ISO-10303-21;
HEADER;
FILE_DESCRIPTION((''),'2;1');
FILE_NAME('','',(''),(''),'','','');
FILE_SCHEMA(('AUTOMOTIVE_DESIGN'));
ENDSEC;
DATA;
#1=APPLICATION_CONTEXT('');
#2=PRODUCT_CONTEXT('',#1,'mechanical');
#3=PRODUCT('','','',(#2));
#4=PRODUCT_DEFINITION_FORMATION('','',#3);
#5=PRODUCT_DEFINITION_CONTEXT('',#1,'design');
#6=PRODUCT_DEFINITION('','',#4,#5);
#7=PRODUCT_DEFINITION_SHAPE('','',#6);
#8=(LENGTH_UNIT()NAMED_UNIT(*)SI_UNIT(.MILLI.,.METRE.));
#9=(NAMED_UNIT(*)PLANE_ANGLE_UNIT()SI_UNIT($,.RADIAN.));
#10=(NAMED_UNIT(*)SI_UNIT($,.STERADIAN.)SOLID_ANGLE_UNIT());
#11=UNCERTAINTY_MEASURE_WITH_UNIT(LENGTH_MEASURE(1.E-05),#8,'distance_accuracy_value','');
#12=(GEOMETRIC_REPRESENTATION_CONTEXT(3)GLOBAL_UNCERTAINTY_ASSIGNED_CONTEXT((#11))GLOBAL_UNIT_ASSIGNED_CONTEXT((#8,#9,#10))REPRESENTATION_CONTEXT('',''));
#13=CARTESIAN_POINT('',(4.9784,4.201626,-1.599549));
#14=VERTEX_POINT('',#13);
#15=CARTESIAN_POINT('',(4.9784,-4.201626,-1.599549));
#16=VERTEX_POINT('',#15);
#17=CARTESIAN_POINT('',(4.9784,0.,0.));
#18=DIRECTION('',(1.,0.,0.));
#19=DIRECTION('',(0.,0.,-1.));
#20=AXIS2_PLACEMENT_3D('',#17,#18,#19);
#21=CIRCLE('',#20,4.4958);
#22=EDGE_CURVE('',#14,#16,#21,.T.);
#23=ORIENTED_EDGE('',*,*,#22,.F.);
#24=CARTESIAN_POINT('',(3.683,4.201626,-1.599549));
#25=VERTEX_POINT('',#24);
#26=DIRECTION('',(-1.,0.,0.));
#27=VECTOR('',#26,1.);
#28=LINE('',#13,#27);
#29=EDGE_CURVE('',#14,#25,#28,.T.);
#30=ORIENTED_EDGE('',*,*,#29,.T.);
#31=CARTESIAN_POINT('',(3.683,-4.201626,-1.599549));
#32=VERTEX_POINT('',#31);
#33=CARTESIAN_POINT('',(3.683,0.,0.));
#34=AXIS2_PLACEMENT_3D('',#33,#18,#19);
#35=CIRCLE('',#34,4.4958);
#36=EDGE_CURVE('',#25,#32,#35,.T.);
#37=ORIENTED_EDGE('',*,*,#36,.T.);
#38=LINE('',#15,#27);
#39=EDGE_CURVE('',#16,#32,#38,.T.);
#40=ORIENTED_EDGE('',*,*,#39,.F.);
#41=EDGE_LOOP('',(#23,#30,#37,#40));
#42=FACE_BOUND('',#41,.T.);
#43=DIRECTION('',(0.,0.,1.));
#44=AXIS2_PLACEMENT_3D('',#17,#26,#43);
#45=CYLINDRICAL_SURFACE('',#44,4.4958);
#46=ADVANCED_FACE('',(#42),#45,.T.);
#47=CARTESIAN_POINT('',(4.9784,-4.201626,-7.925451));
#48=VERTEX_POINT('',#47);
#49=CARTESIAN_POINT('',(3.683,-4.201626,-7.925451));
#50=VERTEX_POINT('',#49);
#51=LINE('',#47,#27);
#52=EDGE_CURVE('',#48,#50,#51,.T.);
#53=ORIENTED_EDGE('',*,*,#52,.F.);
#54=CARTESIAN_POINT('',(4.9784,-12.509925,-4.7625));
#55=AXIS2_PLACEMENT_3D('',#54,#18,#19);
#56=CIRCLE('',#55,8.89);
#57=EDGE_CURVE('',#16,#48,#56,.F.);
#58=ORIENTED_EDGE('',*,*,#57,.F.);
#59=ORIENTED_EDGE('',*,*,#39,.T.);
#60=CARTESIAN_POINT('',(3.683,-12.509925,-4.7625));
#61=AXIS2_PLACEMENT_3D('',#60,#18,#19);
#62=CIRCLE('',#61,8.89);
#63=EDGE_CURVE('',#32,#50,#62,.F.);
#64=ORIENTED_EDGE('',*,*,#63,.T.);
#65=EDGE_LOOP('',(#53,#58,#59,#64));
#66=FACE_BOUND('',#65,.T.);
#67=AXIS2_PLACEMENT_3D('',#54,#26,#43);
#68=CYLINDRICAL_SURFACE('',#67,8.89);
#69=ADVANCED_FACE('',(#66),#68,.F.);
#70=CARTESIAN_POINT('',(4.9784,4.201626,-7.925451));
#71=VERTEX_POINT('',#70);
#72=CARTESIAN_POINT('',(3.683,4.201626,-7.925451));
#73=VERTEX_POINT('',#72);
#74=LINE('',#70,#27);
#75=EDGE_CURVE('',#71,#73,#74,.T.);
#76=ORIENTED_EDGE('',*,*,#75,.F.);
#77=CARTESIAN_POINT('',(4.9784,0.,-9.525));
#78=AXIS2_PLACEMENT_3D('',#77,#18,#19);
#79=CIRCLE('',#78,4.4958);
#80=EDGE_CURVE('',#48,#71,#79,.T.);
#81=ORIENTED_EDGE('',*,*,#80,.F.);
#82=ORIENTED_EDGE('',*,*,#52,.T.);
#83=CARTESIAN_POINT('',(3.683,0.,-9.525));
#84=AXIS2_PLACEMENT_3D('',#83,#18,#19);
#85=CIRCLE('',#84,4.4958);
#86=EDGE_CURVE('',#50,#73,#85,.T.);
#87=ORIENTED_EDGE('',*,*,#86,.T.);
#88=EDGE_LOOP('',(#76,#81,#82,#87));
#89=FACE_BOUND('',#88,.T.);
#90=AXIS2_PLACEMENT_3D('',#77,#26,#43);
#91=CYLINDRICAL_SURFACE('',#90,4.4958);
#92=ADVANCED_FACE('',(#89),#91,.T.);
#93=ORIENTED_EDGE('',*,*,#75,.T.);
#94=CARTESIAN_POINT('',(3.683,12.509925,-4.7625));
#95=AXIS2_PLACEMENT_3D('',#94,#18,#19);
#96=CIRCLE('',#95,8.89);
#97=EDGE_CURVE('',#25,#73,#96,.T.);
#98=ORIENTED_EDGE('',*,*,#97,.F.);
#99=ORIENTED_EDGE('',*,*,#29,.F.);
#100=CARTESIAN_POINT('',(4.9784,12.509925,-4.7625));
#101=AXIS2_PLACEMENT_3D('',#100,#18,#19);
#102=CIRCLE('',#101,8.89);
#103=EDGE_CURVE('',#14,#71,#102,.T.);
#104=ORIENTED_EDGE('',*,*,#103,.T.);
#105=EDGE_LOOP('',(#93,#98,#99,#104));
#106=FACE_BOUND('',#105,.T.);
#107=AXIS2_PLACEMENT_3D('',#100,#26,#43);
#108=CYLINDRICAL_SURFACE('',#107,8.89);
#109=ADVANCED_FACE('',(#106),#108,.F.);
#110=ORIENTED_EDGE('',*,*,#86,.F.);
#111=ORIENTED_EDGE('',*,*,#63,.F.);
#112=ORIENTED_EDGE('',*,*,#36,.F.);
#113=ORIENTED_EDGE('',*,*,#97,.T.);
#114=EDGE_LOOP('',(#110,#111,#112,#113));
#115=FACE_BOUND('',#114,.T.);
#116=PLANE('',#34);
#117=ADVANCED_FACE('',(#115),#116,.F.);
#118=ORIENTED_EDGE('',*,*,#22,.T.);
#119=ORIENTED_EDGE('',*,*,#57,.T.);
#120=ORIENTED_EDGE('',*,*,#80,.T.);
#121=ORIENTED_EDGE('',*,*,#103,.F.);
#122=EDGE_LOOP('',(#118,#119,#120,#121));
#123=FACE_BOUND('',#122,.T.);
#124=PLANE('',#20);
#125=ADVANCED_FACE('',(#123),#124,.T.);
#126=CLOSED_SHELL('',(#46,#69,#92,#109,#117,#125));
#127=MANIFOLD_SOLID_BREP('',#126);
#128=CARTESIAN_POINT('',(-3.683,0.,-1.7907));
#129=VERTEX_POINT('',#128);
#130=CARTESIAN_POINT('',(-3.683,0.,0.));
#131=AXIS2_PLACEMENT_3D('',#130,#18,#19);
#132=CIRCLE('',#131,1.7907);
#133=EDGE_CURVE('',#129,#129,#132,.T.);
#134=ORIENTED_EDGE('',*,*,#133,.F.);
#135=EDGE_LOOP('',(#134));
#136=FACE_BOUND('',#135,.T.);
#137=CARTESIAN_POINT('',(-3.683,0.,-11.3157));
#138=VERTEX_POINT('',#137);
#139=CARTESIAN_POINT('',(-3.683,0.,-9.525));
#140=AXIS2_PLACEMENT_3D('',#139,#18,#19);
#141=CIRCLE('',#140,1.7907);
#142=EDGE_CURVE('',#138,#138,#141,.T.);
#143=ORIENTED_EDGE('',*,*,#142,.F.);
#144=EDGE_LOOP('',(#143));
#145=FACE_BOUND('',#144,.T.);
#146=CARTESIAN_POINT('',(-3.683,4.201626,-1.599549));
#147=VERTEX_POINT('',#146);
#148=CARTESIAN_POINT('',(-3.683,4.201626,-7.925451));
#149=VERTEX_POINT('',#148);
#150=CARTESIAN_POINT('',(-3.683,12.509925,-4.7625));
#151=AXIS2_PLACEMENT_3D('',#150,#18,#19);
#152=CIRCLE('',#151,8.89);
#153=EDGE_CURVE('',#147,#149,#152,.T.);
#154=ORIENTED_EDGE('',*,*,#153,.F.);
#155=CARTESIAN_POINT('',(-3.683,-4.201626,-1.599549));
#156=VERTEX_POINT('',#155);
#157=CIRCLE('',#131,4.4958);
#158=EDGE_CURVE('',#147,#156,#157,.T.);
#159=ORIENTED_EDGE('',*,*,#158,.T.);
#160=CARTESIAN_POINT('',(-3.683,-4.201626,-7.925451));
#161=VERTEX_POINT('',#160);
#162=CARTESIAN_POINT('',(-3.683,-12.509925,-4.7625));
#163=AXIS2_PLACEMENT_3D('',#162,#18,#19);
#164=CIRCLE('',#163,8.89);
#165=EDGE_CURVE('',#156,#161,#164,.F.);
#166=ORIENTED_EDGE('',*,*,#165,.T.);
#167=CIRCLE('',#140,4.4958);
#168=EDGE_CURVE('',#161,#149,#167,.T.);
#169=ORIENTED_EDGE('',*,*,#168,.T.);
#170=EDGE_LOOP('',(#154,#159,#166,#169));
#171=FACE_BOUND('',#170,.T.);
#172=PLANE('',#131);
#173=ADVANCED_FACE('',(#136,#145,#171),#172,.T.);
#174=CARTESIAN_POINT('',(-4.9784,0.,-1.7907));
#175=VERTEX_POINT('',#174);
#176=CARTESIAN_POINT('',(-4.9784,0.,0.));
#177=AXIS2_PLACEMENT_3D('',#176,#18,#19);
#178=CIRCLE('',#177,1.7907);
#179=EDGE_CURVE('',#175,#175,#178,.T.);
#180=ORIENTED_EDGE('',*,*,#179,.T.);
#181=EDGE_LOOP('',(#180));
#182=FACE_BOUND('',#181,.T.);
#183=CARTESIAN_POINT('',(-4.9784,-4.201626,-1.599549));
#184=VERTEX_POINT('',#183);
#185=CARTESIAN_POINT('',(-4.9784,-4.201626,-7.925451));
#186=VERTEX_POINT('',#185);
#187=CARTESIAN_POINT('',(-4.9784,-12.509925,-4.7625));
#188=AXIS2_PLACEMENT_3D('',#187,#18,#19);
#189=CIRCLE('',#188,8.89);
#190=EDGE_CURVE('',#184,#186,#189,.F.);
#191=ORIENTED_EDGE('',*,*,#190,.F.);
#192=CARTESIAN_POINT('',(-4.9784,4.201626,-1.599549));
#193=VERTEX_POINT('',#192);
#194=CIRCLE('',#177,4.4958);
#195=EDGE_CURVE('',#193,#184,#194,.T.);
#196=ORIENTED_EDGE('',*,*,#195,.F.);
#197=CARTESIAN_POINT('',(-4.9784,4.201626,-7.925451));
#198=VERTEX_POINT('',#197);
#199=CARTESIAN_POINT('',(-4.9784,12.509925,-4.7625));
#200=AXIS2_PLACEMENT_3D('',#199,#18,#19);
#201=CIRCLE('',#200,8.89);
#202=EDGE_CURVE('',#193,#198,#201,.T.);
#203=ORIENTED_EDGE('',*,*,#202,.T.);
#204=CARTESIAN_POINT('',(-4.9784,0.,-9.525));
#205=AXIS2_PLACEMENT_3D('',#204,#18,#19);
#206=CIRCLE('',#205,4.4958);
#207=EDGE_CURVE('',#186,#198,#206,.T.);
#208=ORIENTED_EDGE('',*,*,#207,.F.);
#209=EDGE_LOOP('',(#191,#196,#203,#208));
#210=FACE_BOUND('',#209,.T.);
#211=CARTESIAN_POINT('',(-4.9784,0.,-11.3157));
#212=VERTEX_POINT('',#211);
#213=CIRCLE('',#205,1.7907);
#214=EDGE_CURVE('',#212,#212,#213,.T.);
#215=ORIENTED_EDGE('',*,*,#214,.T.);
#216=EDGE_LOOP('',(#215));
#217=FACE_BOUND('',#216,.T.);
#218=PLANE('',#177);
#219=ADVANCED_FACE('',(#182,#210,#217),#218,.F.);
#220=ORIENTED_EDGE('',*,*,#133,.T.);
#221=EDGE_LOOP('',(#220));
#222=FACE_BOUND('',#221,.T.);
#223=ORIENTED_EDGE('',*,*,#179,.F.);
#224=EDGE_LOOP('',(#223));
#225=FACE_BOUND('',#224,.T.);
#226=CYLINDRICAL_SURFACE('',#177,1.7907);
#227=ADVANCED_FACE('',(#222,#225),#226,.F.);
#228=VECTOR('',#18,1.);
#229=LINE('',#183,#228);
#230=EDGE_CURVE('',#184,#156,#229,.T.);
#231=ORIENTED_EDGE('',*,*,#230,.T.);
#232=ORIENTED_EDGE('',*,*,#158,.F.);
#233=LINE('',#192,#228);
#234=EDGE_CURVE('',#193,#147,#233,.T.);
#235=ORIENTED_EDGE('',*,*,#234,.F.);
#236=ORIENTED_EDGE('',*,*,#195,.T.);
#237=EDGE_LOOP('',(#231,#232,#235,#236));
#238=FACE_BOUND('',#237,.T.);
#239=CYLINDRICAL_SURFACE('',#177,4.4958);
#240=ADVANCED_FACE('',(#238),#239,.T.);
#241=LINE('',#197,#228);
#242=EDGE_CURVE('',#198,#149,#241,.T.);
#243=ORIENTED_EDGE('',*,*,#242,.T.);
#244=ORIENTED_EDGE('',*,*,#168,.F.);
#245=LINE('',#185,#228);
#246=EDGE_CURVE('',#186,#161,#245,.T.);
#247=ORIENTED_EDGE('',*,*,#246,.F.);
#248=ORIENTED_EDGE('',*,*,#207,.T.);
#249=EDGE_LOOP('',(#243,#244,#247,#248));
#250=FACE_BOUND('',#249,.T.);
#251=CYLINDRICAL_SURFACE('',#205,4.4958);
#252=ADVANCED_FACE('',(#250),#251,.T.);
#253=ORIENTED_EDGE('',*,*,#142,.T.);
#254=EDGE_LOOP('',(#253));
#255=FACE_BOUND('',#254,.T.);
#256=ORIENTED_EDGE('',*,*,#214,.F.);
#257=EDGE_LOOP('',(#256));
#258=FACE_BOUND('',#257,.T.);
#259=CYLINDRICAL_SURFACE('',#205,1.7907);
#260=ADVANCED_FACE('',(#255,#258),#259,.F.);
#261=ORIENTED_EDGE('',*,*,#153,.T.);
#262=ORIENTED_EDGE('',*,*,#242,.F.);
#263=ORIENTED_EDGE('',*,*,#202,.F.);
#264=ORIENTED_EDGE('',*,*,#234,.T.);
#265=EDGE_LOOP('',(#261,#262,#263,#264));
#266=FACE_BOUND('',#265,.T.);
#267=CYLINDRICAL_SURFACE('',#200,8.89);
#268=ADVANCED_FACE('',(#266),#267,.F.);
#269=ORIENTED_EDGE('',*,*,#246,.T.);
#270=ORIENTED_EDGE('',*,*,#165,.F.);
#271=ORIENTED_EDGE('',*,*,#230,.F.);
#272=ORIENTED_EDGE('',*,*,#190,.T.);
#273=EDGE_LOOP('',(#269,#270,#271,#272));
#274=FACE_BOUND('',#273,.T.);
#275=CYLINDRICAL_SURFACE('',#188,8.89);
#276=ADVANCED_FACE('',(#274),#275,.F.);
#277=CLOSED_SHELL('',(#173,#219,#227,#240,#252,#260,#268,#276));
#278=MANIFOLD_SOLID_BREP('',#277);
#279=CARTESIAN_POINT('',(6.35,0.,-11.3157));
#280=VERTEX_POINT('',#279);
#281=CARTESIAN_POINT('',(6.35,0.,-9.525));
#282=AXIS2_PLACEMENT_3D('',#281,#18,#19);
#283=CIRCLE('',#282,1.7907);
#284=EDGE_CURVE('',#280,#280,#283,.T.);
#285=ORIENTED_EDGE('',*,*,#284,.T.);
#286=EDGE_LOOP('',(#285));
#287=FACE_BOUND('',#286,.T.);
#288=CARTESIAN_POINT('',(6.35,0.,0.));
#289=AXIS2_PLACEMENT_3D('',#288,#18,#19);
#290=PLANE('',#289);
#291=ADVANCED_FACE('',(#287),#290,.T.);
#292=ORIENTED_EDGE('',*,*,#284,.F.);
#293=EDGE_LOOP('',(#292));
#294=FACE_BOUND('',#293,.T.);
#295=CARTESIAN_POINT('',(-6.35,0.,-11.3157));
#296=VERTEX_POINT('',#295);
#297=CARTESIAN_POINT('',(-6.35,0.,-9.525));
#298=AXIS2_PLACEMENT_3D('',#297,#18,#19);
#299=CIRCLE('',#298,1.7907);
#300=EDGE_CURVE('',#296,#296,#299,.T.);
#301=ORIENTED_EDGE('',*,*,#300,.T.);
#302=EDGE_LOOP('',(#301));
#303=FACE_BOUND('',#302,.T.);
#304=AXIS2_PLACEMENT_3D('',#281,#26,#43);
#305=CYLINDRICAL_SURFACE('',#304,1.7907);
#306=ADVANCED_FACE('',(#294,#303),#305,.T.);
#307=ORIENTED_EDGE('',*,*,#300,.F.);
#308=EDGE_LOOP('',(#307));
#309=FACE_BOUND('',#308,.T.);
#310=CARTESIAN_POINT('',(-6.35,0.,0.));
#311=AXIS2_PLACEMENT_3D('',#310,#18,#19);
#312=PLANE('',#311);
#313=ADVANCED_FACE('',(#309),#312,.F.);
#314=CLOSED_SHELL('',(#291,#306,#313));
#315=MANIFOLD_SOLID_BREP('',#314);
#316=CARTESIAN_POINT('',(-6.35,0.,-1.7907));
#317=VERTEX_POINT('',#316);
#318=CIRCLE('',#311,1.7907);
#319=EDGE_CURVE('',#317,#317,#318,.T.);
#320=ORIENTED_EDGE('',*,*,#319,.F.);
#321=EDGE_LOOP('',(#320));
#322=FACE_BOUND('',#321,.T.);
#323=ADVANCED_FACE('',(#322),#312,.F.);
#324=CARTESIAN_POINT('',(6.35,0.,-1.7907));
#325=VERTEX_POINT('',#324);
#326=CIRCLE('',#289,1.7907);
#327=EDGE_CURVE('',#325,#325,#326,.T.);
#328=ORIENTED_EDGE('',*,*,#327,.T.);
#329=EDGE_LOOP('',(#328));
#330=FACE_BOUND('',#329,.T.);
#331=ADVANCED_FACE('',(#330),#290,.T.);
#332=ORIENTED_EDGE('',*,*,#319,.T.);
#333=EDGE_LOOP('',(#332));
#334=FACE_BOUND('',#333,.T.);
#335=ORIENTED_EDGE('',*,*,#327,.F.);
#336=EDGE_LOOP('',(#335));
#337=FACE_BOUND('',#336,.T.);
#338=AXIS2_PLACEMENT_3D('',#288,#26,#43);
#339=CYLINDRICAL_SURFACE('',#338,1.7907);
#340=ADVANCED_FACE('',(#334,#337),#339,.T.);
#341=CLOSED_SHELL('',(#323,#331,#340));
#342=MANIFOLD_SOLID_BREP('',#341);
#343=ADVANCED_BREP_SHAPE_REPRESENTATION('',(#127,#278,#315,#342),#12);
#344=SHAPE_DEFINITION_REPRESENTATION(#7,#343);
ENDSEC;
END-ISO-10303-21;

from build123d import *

# Parameters (mm, degrees)
SKETCH1_R             = 1.7907
BOSS_EXTRUDE1_DEPTH   = 6.35
BOSS_EXTRUDE1_2_DEPTH = 6.35
BOSS_EXTRUDE2_START   = 3.683
BOSS_EXTRUDE2_DEPTH   = 1.2954
BOSS_EXTRUDE3_START   = -3.683
SKETCH1_5_R           = 1.7907
BOSS_EXTRUDE3_DEPTH   = 1.2954


with BuildPart() as part:
    # Sketch1 → Boss-Extrude1 (new, symmetric)
    with BuildSketch(Plane(origin=(0, 0, 0), x_dir=(0, 0, -1), z_dir=(1, 0, 0))):
        with Locations((9.525, 0)):
            Circle(SKETCH1_R)
    extrude(amount=BOSS_EXTRUDE1_DEPTH, both=True)


with BuildPart() as body_2:
    # Sketch1 → Boss-Extrude1 2 (new, symmetric)
    with BuildSketch(Plane(origin=(0, 0, 0), x_dir=(0, 0, -1), z_dir=(1, 0, 0))):
        Circle(SKETCH1_R)
    extrude(amount=BOSS_EXTRUDE1_2_DEPTH, both=True)


with BuildPart() as body_3:
    # Sketch1<4> → Boss-Extrude2 (new body)
    with BuildSketch(Plane(origin=(0, 0, 0), x_dir=(0, 0, -1), z_dir=(1, 0, 0)).offset(BOSS_EXTRUDE2_START)):
        with BuildLine():
            ThreePointArc((1.599549336, 4.201625824), (-4.4958, 0), (1.599549336, -4.201625824))
            ThreePointArc((1.599549336, -4.201625824), (4.7625, -3.619925475), (7.925450664, -4.201625824))
            ThreePointArc((7.925450664, -4.201625824), (14.0208, 0), (7.925450664, 4.201625824))
            ThreePointArc((7.925450664, 4.201625824), (4.7625, 3.619925475), (1.599549336, 4.201625824))
        make_face()
    extrude(amount=BOSS_EXTRUDE2_DEPTH)


with BuildPart() as body_4:
    # Sketch1<5> → Boss-Extrude3 (new body)
    with BuildSketch(Plane(origin=(0, 0, 0), x_dir=(0, 0, -1), z_dir=(1, 0, 0)).offset(BOSS_EXTRUDE3_START)):
        with BuildLine():
            ThreePointArc((1.599549336, 4.201625824), (-4.4958, 0), (1.599549336, -4.201625824))
            ThreePointArc((1.599549336, -4.201625824), (4.7625, -3.619925475), (7.925450664, -4.201625824))
            ThreePointArc((7.925450664, -4.201625824), (14.0208, 0), (7.925450664, 4.201625824))
            ThreePointArc((7.925450664, 4.201625824), (4.7625, 3.619925475), (1.599549336, 4.201625824))
        make_face()
        with Locations((9.525, 0)):
            Circle(SKETCH1_5_R, mode=Mode.SUBTRACT)
        Circle(SKETCH1_5_R, mode=Mode.SUBTRACT)
    extrude(amount=-BOSS_EXTRUDE3_DEPTH)


solid = Compound([part.part, body_2.part, body_3.part, body_4.part])
